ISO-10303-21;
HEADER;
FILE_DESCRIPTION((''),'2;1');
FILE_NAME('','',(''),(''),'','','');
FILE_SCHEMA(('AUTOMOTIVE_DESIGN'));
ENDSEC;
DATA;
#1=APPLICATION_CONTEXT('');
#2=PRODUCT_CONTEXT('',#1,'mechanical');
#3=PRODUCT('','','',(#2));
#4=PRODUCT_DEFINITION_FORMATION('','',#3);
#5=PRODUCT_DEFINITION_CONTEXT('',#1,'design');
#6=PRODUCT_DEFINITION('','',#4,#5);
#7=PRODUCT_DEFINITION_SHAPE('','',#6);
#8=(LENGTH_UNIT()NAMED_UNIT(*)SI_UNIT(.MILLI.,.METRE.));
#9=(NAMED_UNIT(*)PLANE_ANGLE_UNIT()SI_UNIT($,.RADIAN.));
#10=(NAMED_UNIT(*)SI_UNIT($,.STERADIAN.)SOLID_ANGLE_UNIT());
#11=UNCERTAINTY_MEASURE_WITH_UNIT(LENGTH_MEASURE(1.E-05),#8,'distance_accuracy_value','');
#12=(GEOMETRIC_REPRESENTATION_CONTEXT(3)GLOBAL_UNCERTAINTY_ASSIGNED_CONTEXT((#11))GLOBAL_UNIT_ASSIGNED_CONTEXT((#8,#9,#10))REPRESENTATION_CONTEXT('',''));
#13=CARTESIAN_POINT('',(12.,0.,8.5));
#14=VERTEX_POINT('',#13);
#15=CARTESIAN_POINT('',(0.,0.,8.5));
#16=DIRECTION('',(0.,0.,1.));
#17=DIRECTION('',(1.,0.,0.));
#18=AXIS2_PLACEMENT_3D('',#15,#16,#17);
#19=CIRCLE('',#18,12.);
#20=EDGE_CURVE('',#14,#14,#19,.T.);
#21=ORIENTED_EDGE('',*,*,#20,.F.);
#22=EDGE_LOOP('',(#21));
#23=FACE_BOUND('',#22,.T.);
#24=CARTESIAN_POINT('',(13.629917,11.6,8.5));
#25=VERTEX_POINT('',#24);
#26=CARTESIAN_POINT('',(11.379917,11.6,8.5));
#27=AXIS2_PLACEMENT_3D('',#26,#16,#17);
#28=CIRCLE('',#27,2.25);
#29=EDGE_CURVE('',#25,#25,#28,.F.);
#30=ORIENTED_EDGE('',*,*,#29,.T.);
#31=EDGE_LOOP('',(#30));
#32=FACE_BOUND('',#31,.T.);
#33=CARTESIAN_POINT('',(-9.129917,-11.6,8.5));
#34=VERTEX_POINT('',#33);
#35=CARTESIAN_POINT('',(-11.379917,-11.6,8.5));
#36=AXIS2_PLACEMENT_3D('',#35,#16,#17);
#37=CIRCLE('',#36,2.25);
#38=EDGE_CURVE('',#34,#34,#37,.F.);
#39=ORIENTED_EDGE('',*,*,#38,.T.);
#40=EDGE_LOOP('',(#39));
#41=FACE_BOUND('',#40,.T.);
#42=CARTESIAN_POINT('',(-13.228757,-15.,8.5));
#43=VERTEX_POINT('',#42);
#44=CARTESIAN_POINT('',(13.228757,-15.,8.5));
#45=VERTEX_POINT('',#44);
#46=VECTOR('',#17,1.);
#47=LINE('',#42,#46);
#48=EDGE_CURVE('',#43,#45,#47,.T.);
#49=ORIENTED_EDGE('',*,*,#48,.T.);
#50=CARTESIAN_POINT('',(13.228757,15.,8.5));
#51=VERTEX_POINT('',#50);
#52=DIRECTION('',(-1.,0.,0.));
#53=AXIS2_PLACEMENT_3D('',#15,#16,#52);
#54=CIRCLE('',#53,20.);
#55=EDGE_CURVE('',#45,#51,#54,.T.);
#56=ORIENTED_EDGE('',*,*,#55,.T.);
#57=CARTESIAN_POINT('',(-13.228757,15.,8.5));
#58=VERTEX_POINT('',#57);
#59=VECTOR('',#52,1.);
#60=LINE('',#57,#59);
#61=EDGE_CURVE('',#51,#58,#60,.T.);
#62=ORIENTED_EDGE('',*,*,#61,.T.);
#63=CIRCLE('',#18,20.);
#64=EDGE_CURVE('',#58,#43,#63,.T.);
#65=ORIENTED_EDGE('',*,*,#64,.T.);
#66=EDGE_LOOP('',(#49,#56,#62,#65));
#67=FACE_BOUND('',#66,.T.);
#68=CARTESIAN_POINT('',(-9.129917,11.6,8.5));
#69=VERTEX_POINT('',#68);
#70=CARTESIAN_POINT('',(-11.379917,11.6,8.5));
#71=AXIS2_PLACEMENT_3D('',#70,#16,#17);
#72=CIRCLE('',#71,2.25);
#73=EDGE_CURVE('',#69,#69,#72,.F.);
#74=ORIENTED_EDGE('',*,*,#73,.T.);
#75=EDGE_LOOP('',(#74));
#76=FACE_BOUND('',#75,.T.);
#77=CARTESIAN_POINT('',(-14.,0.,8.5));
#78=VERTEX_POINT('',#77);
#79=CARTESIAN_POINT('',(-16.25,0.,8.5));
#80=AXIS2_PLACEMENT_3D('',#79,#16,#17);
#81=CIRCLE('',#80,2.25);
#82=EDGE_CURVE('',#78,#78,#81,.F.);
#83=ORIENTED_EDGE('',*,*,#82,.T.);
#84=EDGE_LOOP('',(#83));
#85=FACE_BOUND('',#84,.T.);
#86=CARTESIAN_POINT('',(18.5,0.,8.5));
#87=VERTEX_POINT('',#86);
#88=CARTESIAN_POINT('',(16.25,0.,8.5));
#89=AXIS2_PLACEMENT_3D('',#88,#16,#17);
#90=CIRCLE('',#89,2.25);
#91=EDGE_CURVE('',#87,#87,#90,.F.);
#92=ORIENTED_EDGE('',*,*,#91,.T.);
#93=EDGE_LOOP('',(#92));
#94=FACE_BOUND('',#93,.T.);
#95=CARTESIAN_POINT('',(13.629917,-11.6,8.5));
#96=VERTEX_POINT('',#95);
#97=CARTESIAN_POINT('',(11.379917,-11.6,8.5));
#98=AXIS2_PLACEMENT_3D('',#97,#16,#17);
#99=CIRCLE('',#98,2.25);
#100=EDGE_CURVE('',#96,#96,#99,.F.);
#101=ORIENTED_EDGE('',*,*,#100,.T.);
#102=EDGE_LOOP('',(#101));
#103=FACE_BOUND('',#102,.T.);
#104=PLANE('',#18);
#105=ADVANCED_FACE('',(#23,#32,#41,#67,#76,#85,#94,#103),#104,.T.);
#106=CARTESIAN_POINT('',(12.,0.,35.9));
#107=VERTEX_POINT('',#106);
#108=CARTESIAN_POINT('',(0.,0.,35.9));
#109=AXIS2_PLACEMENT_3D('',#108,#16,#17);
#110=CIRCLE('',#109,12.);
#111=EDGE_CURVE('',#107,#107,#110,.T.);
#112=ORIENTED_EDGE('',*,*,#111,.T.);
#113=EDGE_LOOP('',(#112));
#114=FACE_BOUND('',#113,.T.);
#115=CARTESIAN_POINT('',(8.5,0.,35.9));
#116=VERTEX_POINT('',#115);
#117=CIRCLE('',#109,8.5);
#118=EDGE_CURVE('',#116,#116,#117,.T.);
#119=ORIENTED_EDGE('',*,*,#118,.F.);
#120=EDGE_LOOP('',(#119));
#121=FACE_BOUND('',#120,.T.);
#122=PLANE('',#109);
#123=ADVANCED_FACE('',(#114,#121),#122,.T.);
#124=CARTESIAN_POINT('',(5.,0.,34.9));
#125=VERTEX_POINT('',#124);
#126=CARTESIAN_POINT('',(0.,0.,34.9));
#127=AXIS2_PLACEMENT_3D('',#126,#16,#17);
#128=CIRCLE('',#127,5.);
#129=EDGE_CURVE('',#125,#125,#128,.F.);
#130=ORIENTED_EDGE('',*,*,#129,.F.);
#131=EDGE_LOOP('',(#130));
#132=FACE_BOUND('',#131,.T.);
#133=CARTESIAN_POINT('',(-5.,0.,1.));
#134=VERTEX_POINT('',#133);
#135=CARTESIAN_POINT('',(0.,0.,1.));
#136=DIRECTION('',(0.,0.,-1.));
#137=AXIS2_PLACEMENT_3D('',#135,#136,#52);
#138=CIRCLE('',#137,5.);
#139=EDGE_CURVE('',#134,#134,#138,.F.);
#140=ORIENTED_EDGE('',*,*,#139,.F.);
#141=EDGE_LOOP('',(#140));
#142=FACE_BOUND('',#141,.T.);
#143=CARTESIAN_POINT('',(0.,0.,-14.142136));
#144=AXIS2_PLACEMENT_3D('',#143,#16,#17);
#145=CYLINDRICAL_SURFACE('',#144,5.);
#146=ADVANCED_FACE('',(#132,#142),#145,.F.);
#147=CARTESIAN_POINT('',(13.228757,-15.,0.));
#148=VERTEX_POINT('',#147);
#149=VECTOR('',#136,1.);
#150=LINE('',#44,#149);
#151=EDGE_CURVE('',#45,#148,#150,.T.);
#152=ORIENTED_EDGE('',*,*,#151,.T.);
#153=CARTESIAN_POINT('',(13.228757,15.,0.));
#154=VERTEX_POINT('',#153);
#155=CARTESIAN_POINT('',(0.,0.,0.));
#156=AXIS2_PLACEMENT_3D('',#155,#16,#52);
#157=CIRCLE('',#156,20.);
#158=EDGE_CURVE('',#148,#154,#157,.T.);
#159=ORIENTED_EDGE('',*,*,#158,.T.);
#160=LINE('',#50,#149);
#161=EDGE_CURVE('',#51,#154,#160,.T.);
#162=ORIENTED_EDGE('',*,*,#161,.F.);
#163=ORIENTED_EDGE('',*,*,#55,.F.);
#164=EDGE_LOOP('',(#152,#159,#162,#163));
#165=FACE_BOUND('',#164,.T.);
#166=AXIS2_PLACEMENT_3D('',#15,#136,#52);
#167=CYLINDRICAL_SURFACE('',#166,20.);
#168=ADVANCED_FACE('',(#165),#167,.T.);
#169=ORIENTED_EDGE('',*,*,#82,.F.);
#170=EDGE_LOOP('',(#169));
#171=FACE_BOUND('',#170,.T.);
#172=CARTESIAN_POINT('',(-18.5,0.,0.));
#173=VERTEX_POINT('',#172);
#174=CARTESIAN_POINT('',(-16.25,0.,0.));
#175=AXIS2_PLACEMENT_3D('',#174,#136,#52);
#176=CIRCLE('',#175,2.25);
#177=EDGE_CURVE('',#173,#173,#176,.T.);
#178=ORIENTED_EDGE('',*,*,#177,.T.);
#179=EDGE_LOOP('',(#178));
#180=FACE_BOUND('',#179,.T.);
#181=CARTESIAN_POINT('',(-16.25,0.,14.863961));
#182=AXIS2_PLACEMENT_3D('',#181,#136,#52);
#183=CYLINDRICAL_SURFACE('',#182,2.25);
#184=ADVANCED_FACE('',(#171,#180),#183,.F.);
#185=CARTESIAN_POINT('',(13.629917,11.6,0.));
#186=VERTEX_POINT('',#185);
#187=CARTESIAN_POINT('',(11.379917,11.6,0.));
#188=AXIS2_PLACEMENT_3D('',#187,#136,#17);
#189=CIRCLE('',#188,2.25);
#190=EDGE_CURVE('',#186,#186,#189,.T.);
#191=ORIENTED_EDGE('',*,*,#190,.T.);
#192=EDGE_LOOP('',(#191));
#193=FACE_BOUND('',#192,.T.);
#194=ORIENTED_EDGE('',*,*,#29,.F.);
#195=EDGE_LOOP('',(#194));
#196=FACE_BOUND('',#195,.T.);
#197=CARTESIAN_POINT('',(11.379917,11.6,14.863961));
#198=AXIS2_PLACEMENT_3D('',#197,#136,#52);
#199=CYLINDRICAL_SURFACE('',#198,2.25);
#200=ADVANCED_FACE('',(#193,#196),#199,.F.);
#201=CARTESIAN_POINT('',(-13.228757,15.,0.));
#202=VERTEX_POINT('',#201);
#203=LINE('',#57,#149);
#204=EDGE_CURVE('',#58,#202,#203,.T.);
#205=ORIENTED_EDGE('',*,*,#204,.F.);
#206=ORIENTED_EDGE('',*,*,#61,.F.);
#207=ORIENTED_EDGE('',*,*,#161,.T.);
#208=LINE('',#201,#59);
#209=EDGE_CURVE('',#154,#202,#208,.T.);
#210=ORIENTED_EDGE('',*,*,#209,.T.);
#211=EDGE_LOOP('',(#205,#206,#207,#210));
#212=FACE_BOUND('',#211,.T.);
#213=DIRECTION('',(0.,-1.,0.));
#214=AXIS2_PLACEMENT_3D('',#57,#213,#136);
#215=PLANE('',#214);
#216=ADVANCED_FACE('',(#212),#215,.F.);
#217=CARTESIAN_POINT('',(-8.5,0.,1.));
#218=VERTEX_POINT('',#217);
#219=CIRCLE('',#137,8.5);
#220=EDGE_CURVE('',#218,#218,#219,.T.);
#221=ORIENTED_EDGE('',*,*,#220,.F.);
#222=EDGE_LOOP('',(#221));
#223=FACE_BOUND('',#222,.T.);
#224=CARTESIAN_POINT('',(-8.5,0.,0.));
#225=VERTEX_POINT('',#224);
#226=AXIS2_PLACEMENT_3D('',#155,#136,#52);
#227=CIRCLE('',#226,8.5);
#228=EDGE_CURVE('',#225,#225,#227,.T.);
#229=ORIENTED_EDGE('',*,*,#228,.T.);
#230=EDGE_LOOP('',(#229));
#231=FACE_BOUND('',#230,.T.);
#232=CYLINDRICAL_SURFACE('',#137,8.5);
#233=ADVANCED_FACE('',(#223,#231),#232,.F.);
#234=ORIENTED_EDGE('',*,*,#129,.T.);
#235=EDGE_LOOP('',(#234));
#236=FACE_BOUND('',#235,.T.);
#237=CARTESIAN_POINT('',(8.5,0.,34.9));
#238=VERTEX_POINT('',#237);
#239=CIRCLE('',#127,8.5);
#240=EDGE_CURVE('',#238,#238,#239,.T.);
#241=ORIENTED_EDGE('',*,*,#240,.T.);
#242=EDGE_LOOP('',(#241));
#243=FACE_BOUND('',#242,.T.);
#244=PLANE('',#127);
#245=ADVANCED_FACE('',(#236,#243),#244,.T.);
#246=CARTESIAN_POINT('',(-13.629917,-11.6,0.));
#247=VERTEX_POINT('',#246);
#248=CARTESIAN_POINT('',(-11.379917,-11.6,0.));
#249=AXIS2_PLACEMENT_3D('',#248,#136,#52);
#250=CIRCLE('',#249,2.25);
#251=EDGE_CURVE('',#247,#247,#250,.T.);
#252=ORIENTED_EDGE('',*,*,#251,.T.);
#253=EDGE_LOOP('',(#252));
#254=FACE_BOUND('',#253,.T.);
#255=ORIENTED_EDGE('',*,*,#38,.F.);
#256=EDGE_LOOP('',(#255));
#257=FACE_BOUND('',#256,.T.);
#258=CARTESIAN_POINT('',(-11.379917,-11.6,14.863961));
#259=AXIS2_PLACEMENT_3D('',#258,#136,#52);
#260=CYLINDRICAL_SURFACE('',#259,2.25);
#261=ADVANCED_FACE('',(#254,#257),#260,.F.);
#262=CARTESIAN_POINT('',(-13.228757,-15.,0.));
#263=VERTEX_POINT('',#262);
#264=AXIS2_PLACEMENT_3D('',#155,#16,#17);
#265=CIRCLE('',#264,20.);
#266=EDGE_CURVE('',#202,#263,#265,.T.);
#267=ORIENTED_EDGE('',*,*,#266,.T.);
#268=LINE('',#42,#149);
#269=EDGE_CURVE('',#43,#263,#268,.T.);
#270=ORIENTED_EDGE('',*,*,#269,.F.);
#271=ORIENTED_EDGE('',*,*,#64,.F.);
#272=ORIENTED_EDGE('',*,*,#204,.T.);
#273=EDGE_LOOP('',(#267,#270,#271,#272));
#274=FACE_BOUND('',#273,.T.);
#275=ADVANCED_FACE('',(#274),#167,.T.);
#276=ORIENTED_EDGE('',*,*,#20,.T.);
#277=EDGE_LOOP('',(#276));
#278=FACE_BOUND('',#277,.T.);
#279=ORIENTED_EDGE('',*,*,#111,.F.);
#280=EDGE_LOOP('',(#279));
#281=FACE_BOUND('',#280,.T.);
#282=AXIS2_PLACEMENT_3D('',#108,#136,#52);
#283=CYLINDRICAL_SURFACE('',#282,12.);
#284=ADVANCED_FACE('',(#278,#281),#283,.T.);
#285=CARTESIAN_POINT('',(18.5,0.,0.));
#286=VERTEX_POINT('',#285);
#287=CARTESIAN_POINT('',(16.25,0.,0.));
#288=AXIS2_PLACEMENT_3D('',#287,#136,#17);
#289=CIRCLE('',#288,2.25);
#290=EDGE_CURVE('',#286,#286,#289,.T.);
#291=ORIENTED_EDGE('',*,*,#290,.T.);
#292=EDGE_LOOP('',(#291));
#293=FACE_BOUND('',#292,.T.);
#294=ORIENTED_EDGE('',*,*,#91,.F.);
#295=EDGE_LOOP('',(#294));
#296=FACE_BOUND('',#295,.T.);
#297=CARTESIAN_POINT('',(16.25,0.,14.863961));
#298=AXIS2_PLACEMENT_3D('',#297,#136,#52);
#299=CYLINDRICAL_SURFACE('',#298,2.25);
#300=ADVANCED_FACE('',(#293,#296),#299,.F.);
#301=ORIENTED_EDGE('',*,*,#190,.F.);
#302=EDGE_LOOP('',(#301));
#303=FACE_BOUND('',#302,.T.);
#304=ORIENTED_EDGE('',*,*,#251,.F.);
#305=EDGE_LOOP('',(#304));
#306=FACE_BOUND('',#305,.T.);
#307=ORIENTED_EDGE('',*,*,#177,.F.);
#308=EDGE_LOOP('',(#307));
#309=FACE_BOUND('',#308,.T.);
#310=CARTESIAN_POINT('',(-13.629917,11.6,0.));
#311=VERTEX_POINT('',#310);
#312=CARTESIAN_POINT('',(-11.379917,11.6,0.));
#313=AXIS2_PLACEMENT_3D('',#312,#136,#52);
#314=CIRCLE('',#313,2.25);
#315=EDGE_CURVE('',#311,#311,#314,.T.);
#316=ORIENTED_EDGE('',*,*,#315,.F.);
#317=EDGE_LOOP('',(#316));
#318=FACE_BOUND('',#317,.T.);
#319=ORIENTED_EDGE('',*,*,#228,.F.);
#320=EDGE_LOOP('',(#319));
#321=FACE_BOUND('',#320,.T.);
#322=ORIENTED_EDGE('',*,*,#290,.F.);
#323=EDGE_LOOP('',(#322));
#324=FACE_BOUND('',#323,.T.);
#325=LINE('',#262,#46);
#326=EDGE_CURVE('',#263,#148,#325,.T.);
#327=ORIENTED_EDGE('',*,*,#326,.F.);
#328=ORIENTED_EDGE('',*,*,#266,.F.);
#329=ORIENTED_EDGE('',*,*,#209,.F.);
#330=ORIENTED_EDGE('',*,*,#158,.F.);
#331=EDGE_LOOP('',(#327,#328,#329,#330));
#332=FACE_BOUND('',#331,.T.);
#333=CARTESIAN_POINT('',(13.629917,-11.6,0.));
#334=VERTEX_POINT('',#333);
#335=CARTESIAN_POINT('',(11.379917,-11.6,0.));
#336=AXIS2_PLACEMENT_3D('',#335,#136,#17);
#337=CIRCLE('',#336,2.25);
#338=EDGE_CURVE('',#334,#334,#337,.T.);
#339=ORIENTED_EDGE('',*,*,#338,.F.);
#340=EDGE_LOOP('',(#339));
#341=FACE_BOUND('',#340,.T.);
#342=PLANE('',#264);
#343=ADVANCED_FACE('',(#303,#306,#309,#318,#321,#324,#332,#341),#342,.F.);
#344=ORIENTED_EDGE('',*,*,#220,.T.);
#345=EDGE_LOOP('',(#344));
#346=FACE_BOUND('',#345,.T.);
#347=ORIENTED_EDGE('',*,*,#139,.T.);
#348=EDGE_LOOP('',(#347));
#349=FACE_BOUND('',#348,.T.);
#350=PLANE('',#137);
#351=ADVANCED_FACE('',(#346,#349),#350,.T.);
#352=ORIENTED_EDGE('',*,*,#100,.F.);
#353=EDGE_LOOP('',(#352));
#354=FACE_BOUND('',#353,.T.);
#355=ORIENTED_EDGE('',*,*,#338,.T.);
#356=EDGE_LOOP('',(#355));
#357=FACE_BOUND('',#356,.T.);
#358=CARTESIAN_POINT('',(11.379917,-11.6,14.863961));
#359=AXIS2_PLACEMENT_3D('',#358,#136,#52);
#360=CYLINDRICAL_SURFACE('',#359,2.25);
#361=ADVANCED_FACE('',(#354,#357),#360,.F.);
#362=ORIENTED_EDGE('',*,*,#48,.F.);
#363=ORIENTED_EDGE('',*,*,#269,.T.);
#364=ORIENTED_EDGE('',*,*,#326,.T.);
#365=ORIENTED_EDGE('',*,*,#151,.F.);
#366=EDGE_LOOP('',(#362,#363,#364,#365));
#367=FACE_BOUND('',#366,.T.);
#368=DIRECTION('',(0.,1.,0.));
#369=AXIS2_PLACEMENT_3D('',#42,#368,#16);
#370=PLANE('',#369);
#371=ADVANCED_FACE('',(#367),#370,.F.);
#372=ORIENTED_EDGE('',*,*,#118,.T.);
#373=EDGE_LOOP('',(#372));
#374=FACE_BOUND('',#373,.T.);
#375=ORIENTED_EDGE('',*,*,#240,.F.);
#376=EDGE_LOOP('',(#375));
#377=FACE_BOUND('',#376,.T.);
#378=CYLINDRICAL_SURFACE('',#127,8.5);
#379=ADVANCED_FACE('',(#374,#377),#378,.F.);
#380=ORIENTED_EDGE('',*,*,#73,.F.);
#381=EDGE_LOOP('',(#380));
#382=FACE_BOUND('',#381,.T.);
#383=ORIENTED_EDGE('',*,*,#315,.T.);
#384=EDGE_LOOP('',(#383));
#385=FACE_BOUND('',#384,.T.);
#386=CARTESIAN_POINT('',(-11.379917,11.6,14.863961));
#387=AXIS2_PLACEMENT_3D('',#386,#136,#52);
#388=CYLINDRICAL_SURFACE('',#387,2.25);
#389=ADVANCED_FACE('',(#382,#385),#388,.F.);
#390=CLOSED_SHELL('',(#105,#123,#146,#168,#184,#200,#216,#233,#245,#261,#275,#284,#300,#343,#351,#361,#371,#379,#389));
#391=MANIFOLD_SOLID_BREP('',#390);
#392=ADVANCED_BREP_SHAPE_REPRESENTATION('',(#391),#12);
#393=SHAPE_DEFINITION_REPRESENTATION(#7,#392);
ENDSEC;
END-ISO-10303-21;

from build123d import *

# Parameters (mm, degrees)
SALIENTE_EXTRUIR1_DEPTH = 8.5
CROQUIS2_R              = 12
SALIENTE_EXTRUIR2_DEPTH = 27.4
CROQUIS3_R              = 5
CORTAR_EXTRUIR1_DEPTH   = 35.9
CROQUIS4_R              = 8.5
CORTAR_EXTRUIR2_DEPTH   = 1
CROQUIS5_R              = 8.5
CORTAR_EXTRUIR3_DEPTH   = 1
CROQUIS6_R              = 2.25
CORTAR_EXTRUIR4_DEPTH   = 8.5


with BuildPart() as part:
    # Croquis1 → Saliente-Extruir1 (new body)
    with BuildSketch(Plane.XY):
        with BuildLine():
            Line((-13.228756555, 15), (13.228756555, 15))
            ThreePointArc((13.228756555, 15), (20, 0), (13.228756555, -15))
            Line((13.228756555, -15), (-13.228756555, -15))
            ThreePointArc((-13.228756555, -15), (-20, 0), (-13.228756555, 15))
        make_face()
    extrude(amount=SALIENTE_EXTRUIR1_DEPTH)

    # Croquis2 → Saliente-Extruir2 (add)
    with BuildSketch(Plane.XY.offset(8.5)):
        Circle(CROQUIS2_R)
    extrude(amount=SALIENTE_EXTRUIR2_DEPTH)

    # Croquis3 → Cortar-Extruir1 (cut)
    with BuildSketch(Plane.XY.offset(35.9)):
        Circle(CROQUIS3_R)
    extrude(amount=-CORTAR_EXTRUIR1_DEPTH, mode=Mode.SUBTRACT)

    # Croquis4 → Cortar-Extruir2 (cut)
    with BuildSketch(Plane.XY.offset(35.9)):
        Circle(CROQUIS4_R)
    extrude(amount=-CORTAR_EXTRUIR2_DEPTH, mode=Mode.SUBTRACT)

    # Croquis5 → Cortar-Extruir3 (cut)
    with BuildSketch(Plane(origin=(0, 0, 0), x_dir=(-1, 0, 0), z_dir=(0, 0, -1))):
        Circle(CROQUIS5_R)
    extrude(amount=-CORTAR_EXTRUIR3_DEPTH, mode=Mode.SUBTRACT)

    # Croquis6 → Cortar-Extruir4 (cut)
    with BuildSketch(Plane(origin=(0, 0, 0), x_dir=(-1, 0, 0), z_dir=(0, 0, -1))):
        with Locations((11.37991652, -11.6)):
            Circle(CROQUIS6_R)
        with Locations((16.25, 0)):
            Circle(CROQUIS6_R)
        with Locations((11.37991652, 11.6)):
            Circle(CROQUIS6_R)
        with Locations((-11.37991652, -11.6)):
            Circle(CROQUIS6_R)
        with Locations((-16.25, 0)):
            Circle(CROQUIS6_R)
        with Locations((-11.37991652, 11.6)):
            Circle(CROQUIS6_R)
    extrude(amount=-CORTAR_EXTRUIR4_DEPTH, mode=Mode.SUBTRACT)


solid = part.part
